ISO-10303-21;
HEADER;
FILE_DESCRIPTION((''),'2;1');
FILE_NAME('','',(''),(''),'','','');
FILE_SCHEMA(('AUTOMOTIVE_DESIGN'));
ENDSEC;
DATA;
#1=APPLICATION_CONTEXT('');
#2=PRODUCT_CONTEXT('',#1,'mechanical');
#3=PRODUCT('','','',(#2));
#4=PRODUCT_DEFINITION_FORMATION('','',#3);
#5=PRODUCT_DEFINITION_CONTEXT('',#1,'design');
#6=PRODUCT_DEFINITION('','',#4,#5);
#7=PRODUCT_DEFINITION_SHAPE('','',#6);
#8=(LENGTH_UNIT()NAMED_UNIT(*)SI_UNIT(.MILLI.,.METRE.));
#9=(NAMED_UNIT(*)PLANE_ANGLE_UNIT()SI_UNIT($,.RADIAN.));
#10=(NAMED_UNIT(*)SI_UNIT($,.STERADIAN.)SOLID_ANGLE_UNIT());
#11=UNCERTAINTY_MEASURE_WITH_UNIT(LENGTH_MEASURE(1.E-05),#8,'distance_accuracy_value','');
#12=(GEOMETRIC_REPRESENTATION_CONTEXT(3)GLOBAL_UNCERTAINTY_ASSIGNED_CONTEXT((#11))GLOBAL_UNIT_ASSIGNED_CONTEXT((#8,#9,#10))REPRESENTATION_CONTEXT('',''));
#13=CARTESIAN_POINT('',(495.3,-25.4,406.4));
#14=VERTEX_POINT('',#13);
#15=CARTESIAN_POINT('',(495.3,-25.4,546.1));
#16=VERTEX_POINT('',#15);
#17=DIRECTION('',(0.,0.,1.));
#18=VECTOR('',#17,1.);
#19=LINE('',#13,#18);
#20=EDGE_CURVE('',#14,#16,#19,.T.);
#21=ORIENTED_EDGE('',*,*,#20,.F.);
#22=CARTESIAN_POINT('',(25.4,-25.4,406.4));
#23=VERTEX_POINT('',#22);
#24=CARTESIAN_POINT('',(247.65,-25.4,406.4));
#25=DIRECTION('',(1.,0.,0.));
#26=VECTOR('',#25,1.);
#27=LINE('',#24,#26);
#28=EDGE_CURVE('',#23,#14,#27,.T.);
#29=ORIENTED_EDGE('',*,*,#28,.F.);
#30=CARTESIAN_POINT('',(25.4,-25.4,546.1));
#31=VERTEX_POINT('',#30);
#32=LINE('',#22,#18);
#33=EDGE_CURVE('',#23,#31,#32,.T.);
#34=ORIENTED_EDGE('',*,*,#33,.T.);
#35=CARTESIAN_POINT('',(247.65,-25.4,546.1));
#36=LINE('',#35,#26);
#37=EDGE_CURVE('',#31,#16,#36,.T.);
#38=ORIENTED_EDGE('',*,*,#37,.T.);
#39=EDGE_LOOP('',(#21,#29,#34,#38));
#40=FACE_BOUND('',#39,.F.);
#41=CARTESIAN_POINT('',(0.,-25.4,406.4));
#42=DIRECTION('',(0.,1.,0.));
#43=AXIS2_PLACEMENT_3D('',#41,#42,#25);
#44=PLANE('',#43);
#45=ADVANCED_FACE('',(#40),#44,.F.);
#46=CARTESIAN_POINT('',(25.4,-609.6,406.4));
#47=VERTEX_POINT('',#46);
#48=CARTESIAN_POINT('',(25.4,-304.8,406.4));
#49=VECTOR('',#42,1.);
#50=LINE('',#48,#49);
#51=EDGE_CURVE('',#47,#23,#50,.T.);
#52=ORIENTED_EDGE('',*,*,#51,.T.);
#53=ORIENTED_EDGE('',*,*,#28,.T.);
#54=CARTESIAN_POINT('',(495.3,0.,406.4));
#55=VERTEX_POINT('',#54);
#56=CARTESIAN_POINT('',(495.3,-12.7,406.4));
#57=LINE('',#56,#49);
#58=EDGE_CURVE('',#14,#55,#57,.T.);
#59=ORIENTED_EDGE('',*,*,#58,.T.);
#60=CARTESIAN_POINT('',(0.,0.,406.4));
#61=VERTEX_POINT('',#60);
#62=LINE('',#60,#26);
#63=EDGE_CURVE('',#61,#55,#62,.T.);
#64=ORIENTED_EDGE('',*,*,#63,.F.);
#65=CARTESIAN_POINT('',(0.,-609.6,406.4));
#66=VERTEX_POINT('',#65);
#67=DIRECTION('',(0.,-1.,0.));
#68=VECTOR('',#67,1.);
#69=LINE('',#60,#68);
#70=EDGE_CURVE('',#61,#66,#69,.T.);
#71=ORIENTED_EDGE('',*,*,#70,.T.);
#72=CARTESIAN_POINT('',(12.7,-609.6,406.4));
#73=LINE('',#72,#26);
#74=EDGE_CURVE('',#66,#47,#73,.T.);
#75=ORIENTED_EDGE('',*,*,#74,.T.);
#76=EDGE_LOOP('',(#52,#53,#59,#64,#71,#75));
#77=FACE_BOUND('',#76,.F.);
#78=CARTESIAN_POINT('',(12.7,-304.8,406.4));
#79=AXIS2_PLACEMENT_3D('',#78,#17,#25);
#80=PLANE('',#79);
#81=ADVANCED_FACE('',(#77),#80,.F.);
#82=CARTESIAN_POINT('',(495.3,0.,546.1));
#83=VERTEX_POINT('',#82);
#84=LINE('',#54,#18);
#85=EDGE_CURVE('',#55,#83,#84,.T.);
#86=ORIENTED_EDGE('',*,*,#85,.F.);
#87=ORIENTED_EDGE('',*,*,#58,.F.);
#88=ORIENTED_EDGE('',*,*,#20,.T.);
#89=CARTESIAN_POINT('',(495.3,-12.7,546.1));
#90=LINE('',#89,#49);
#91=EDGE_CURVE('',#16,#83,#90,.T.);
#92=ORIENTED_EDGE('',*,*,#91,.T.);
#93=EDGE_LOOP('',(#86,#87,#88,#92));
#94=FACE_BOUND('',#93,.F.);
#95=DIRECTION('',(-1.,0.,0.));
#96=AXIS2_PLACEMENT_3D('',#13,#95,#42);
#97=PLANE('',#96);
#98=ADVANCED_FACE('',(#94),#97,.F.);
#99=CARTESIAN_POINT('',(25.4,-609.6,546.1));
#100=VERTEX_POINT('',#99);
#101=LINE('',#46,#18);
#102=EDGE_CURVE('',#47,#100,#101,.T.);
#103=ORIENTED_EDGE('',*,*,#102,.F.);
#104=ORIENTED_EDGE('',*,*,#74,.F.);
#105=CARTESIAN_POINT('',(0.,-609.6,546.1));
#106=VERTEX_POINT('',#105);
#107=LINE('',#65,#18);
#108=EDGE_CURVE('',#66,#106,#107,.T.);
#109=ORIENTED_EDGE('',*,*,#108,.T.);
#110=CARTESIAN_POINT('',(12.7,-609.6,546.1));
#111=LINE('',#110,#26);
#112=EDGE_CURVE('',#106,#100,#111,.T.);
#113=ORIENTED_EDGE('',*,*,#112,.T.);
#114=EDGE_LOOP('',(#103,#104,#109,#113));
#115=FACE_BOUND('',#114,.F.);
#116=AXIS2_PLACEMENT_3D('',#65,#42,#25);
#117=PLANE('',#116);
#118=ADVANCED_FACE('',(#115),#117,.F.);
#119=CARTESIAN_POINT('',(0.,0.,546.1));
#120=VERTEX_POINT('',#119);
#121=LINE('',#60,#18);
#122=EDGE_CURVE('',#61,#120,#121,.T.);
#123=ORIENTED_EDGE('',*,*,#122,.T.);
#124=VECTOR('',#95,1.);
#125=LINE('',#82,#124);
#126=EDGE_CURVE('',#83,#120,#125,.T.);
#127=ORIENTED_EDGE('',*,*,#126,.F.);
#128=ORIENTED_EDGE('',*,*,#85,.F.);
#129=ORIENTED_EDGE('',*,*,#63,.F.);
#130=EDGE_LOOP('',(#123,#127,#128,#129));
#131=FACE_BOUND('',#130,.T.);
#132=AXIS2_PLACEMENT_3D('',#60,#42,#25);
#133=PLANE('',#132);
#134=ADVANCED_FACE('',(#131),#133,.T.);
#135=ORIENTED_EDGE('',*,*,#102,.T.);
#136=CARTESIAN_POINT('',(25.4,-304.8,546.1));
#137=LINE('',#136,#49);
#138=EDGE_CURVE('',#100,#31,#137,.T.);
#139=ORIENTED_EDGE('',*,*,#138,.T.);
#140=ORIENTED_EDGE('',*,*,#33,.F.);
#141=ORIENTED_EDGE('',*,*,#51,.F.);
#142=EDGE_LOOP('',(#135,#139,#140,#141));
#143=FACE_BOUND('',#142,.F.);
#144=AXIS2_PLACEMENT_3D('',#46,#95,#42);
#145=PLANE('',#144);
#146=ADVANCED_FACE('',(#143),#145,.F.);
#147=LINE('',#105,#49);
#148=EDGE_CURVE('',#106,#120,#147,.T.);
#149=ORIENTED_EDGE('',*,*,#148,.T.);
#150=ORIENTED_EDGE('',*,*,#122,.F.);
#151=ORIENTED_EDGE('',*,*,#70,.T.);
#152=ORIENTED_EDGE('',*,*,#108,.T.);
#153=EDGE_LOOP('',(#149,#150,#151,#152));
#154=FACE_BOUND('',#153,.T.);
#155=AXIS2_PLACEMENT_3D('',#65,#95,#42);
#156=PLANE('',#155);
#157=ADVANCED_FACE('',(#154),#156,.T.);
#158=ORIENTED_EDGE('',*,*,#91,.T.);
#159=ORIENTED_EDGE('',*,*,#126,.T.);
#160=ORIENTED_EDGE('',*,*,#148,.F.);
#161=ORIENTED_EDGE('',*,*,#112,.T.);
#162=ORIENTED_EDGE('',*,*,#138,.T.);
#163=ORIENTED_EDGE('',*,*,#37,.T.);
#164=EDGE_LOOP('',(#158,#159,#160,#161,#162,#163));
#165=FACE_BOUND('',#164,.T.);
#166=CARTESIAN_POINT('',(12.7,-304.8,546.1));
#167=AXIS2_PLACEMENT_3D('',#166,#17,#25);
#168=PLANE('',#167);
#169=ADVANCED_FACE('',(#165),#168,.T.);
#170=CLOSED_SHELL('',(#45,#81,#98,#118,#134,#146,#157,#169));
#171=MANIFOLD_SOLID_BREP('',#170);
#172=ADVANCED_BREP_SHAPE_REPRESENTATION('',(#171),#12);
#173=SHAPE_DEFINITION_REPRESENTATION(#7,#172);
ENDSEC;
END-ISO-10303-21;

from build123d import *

# Parameters (mm, degrees)
BOX006_W     = 25.4
BOX006_H     = 609.6
BOX006_DEPTH = 139.7
BOX005_W     = 495.3
BOX005_H     = 25.4
BOX005_DEPTH = 139.7


with BuildPart() as cube001:
    # Box006 → Box006 (new body)
    with BuildSketch(Plane(origin=(0, -609.6, 406.4), x_dir=(1, 0, 0), z_dir=(0, 0, 1))):
        with Locations((12.7, 304.8)):
            Rectangle(BOX006_W, BOX006_H)
    extrude(amount=BOX006_DEPTH)


with BuildPart() as wallelectricalcord:
    # Box005 → Box005 (new body)
    with BuildSketch(Plane(origin=(0, -25.4, 406.4), x_dir=(1, 0, 0), z_dir=(0, 0, 1))):
        with Locations((247.65, 12.7)):
            Rectangle(BOX005_W, BOX005_H)
    extrude(amount=BOX005_DEPTH)

    # Fusion001: union Cube001
    add(cube001.part)


solid = wallelectricalcord.part
